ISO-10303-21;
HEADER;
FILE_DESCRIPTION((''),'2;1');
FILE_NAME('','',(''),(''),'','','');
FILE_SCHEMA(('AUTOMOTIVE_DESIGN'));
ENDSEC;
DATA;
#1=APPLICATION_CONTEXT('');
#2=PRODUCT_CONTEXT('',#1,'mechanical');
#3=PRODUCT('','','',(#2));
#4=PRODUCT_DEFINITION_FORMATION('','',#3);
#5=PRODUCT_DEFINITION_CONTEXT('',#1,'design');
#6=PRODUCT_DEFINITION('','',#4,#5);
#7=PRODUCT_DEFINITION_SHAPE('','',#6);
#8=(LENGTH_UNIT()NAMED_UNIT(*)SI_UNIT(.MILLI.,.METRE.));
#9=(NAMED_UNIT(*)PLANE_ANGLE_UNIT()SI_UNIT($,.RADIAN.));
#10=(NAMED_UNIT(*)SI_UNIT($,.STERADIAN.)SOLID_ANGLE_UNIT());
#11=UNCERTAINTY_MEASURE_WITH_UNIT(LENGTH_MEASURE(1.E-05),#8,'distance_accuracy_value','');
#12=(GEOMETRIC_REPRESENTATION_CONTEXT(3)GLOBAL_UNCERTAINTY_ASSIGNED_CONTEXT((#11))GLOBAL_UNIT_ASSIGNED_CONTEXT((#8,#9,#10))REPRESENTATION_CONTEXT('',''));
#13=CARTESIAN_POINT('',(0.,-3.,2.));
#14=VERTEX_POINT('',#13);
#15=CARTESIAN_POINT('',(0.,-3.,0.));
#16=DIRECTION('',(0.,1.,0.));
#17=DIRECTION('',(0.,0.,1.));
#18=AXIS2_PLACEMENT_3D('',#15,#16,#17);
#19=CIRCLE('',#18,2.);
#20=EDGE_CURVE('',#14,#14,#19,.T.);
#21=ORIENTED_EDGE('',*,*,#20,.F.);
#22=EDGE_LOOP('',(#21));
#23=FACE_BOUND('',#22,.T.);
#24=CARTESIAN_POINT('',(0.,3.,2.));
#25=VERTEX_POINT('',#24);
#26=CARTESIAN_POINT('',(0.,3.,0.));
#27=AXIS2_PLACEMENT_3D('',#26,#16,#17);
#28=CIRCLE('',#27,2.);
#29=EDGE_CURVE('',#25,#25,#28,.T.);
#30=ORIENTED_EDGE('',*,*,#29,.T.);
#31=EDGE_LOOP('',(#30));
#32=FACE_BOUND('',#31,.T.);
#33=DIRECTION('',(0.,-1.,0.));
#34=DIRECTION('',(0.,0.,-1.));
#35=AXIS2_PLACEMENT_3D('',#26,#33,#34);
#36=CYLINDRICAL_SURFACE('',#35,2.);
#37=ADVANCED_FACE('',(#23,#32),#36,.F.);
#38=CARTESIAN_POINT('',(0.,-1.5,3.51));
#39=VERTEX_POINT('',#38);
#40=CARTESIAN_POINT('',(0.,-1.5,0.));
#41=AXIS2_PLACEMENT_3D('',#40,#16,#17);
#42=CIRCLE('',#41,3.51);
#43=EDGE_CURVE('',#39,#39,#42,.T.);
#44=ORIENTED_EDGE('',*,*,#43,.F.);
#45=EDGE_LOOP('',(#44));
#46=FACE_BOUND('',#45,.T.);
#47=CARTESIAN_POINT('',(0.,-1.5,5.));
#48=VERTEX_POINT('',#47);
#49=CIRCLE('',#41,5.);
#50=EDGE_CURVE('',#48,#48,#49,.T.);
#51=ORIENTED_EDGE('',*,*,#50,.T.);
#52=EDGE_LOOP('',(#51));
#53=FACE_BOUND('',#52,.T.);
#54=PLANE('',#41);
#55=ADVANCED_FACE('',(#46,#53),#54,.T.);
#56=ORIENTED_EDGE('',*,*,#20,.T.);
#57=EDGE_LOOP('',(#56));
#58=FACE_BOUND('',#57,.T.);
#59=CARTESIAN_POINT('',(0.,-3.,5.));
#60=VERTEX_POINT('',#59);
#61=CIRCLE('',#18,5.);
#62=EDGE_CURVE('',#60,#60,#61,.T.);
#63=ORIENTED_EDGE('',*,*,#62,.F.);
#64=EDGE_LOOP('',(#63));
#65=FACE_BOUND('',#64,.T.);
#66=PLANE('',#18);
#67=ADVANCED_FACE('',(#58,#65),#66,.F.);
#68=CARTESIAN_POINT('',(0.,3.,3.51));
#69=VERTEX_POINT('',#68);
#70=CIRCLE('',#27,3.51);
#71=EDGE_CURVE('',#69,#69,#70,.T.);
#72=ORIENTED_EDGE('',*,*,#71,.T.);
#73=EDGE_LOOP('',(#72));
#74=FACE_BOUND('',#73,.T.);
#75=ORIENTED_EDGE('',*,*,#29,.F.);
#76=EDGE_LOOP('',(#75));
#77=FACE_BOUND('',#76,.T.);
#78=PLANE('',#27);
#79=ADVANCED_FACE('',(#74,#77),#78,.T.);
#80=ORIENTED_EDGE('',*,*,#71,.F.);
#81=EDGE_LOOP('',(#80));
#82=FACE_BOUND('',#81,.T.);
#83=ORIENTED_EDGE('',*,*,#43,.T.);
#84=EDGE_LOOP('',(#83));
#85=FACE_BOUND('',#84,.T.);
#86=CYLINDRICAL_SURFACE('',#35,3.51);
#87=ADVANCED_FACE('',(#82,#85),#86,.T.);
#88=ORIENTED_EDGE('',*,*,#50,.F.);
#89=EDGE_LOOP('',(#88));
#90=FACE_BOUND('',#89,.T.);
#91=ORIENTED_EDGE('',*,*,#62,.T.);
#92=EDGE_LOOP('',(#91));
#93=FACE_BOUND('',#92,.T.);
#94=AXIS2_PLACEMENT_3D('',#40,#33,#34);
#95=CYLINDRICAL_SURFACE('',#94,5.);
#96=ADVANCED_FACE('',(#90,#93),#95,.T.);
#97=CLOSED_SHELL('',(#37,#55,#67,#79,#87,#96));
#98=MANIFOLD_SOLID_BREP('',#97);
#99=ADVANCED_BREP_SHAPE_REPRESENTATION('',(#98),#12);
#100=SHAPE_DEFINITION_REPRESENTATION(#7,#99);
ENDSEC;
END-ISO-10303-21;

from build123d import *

# Parameters (mm, degrees)
SKETCH5_R                = 3.51
SKETCH5_R_2              = 2
BOSS_EXTRUDE1_DEPTH      = 3
BOSS_EXTRUDE1_DEPTH_BACK = 3
BOSS_EXTRUDE2_START      = -3
SKETCH7_R                = 5
SKETCH7_R_2              = 3.51
BOSS_EXTRUDE2_DEPTH      = 1.5


with BuildPart() as part:
    # Sketch5 → Boss-Extrude1 (new body, two sides)
    with BuildSketch(Plane(origin=(0, 0, 0), x_dir=(1, 0, 0), z_dir=(0, 1, 0))) as boss_extrude1_sk:
        Circle(SKETCH5_R)
        Circle(SKETCH5_R_2, mode=Mode.SUBTRACT)
    extrude(amount=BOSS_EXTRUDE1_DEPTH)
    extrude(boss_extrude1_sk.sketch, amount=-BOSS_EXTRUDE1_DEPTH_BACK)

    # Sketch7 → Boss-Extrude2 (add)
    with BuildSketch(Plane(origin=(0, 0, 0), x_dir=(1, 0, 0), z_dir=(0, 1, 0)).offset(BOSS_EXTRUDE2_START)):
        Circle(SKETCH7_R)
        Circle(SKETCH7_R_2, mode=Mode.SUBTRACT)
    extrude(amount=BOSS_EXTRUDE2_DEPTH)


solid = part.part
